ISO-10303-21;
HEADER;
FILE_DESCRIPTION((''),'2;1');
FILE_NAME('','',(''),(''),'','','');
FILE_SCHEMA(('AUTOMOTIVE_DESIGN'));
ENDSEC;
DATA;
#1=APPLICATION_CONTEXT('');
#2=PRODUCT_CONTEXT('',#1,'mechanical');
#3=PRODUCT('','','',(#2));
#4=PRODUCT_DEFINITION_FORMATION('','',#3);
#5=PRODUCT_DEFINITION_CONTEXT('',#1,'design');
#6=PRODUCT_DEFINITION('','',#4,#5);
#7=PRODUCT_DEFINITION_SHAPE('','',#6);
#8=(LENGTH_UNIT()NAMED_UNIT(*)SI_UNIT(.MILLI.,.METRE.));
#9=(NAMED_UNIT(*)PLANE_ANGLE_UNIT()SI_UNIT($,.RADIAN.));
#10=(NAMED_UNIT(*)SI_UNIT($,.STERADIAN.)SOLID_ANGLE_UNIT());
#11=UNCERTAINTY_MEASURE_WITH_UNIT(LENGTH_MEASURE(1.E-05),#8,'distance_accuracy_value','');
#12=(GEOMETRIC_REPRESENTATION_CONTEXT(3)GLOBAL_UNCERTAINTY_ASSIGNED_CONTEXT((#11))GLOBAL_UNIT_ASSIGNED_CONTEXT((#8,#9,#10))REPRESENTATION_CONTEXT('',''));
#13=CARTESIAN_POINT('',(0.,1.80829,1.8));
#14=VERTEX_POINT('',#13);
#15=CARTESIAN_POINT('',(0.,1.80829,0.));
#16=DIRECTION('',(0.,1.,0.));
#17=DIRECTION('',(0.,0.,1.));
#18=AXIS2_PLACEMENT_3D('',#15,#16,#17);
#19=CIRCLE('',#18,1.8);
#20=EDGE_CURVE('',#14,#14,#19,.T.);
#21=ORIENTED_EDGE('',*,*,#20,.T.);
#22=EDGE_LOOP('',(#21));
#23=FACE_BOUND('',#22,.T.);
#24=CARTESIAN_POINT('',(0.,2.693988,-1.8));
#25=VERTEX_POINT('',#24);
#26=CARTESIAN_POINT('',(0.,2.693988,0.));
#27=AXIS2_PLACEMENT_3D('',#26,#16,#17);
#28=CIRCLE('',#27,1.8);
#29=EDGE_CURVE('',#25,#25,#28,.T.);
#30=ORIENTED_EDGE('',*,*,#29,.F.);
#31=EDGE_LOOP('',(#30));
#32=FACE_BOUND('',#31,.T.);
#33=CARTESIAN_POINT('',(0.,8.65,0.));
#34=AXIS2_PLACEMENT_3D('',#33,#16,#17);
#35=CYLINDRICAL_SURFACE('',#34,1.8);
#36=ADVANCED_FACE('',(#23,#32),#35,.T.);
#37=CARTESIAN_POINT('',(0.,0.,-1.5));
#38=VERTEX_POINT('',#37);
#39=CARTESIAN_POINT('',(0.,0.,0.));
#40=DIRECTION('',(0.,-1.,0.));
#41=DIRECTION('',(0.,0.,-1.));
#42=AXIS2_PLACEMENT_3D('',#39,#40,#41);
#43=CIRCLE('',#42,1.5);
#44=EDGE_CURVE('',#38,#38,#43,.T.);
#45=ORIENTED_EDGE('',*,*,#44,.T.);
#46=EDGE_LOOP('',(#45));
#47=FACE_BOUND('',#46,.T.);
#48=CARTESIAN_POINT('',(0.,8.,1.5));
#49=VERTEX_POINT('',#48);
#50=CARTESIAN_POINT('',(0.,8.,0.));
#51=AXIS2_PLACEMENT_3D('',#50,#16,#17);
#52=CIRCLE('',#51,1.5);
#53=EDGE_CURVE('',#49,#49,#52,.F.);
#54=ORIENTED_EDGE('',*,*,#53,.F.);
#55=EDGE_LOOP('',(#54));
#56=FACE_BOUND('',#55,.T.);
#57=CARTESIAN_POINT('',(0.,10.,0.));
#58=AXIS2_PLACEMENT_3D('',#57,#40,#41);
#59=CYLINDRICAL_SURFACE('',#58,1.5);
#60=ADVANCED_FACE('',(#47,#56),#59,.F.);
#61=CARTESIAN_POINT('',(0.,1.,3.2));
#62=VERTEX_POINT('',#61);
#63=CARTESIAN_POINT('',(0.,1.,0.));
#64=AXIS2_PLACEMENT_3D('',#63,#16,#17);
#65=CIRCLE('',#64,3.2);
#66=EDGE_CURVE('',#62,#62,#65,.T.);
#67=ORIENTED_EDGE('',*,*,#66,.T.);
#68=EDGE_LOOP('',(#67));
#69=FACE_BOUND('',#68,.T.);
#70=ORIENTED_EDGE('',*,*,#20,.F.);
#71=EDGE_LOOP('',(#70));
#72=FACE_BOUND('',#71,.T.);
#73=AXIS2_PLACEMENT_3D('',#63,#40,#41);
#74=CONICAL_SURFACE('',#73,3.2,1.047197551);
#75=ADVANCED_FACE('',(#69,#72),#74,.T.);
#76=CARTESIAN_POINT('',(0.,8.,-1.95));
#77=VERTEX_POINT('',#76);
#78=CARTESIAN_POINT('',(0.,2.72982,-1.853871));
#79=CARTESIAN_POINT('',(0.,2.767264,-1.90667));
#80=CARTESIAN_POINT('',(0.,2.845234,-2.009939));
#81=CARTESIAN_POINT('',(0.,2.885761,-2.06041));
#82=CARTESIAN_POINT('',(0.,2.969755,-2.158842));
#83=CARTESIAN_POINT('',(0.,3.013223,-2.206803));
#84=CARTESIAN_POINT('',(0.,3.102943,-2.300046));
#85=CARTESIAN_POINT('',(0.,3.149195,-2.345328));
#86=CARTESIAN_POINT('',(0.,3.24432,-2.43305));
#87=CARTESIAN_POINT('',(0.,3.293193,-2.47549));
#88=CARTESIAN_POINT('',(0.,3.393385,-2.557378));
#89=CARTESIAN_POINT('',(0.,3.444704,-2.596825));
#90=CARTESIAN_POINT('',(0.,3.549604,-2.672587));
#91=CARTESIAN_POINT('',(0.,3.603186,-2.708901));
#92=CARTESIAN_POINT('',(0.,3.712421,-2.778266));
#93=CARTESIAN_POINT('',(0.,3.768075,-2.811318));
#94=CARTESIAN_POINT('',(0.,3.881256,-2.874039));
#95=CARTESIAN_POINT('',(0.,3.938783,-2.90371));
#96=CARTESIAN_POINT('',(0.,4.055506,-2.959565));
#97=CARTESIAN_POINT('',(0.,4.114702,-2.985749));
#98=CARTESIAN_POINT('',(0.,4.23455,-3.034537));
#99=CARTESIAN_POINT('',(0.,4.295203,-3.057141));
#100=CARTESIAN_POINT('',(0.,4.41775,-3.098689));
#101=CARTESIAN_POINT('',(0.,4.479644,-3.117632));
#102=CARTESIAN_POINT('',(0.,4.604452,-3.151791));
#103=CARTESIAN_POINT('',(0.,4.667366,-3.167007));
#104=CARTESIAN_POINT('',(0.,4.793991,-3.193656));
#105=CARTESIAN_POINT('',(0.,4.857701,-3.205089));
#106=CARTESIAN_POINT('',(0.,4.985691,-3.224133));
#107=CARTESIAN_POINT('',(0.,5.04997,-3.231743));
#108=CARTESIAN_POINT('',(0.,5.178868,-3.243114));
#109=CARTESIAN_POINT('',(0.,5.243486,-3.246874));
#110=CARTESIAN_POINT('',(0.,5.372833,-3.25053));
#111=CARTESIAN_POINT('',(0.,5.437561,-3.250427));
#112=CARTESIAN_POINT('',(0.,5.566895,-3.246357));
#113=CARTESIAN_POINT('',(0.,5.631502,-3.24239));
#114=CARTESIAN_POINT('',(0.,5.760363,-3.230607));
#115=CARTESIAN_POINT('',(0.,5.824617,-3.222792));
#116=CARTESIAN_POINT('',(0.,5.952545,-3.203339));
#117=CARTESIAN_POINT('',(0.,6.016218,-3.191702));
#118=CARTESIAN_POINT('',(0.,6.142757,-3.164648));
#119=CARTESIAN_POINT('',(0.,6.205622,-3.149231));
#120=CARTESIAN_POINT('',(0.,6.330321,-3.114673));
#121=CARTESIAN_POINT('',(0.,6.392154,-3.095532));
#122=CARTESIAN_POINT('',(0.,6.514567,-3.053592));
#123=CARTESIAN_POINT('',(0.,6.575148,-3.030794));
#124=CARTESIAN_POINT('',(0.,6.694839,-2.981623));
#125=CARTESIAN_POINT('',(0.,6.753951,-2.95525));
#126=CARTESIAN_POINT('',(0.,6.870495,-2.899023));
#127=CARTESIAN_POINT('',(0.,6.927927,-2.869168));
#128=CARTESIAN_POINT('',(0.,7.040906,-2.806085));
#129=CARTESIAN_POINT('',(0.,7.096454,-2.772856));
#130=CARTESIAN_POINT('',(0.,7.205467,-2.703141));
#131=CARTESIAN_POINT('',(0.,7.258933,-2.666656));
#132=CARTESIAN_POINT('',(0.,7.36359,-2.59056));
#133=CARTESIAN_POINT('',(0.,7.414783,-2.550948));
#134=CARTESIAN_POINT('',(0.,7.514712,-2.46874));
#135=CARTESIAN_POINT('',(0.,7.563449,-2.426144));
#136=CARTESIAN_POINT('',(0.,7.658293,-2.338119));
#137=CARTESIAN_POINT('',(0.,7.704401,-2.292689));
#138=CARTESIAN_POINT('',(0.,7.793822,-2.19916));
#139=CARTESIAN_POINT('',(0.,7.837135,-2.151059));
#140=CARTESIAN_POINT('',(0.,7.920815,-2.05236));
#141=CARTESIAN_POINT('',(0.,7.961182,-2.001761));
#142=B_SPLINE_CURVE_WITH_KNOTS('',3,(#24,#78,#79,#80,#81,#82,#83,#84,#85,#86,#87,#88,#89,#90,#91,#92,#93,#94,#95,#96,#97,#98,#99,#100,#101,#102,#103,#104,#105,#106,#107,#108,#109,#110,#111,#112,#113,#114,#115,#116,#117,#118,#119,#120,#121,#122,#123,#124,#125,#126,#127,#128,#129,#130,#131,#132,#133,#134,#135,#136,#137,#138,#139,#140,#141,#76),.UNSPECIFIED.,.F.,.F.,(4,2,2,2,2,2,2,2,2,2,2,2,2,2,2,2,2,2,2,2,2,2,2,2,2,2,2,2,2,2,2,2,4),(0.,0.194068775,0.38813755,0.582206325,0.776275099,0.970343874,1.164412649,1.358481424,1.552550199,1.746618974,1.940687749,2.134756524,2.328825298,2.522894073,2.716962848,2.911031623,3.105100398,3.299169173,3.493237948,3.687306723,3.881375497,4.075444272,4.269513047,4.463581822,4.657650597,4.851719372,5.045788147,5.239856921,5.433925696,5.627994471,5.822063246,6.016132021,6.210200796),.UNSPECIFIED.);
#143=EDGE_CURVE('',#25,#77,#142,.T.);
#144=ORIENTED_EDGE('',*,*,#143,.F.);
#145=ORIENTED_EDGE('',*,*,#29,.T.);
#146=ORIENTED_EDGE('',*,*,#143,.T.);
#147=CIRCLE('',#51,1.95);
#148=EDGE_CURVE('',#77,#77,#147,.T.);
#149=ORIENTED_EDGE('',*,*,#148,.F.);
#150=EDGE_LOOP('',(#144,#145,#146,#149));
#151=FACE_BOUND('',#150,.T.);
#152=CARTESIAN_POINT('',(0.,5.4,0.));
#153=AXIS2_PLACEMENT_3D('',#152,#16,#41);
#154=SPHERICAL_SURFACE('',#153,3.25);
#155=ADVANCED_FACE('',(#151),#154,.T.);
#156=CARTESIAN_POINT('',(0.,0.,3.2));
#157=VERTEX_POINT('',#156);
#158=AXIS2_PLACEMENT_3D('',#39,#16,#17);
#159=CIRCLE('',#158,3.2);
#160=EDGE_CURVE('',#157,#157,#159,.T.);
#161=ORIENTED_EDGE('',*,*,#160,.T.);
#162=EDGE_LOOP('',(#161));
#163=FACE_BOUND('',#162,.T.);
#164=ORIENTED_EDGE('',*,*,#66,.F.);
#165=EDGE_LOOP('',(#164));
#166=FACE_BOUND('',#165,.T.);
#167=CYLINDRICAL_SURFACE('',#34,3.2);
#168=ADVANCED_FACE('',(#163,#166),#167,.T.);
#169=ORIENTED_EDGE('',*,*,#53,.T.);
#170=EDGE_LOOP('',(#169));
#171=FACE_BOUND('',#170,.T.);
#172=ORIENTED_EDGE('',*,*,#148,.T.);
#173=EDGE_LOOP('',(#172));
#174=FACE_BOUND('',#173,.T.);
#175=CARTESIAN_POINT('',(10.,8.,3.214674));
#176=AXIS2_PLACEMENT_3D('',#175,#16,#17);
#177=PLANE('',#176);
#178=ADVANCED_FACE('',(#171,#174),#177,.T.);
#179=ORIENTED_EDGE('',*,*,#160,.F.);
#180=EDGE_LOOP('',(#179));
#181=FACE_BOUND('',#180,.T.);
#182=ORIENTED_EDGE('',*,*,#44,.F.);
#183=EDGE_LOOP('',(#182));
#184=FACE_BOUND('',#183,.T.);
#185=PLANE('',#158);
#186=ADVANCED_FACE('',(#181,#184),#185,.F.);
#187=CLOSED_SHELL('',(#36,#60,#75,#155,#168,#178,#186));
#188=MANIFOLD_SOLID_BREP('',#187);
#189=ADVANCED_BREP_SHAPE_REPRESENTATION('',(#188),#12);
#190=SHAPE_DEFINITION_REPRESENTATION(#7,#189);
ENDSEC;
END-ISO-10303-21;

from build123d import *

# Parameters (mm, degrees)
SKETCH2_R               = 1.5
CUT_EXTRUDE1_DEPTH      = 10
CUT_EXTRUDE2_DEPTH      = 10
CUT_EXTRUDE2_DEPTH_BACK = 10
SKETCH3_W               = 11.471414326
SKETCH3_H               = 1.059782784


with BuildPart() as part:
    # Sketch1 → Revolve1 (revolve)
    with BuildSketch(Plane(origin=(0, 0, 0), x_dir=(0, 0, -1), z_dir=(1, 0, 0))):
        with BuildLine():
            Line((0, 8.65), (0, 0))
            Line((0, 0), (3.2, 0))
            Line((3.2, 0), (3.2, 1))
            Line((3.2, 1), (1.8, 1.808290377))
            Line((1.8, 1.808290377), (1.8, 2.693988174))
            ThreePointArc((1.8, 2.693988174), (3.111031857, 6.340202523), (0, 8.65))
        make_face()
    revolve(axis=Axis((0, 8.65, 0), (0, -1, 0)))

    # Sketch2 → Cut-Extrude1 (cut)
    with BuildSketch(Plane.XZ):
        Circle(SKETCH2_R)
    extrude(amount=-CUT_EXTRUDE1_DEPTH, mode=Mode.SUBTRACT)

    # Sketch3 → Cut-Extrude2 (cut, two sides: drawn at the far end of the back side and taken through both)
    with BuildSketch(Plane(origin=(0, 0, 0), x_dir=(0, 0, -1), z_dir=(1, 0, 0)).offset(-CUT_EXTRUDE2_DEPTH_BACK)):
        with Locations((2.521032719, 8.529891392)):
            Rectangle(SKETCH3_W, SKETCH3_H)
    extrude(amount=CUT_EXTRUDE2_DEPTH + CUT_EXTRUDE2_DEPTH_BACK, mode=Mode.SUBTRACT)


solid = part.part
